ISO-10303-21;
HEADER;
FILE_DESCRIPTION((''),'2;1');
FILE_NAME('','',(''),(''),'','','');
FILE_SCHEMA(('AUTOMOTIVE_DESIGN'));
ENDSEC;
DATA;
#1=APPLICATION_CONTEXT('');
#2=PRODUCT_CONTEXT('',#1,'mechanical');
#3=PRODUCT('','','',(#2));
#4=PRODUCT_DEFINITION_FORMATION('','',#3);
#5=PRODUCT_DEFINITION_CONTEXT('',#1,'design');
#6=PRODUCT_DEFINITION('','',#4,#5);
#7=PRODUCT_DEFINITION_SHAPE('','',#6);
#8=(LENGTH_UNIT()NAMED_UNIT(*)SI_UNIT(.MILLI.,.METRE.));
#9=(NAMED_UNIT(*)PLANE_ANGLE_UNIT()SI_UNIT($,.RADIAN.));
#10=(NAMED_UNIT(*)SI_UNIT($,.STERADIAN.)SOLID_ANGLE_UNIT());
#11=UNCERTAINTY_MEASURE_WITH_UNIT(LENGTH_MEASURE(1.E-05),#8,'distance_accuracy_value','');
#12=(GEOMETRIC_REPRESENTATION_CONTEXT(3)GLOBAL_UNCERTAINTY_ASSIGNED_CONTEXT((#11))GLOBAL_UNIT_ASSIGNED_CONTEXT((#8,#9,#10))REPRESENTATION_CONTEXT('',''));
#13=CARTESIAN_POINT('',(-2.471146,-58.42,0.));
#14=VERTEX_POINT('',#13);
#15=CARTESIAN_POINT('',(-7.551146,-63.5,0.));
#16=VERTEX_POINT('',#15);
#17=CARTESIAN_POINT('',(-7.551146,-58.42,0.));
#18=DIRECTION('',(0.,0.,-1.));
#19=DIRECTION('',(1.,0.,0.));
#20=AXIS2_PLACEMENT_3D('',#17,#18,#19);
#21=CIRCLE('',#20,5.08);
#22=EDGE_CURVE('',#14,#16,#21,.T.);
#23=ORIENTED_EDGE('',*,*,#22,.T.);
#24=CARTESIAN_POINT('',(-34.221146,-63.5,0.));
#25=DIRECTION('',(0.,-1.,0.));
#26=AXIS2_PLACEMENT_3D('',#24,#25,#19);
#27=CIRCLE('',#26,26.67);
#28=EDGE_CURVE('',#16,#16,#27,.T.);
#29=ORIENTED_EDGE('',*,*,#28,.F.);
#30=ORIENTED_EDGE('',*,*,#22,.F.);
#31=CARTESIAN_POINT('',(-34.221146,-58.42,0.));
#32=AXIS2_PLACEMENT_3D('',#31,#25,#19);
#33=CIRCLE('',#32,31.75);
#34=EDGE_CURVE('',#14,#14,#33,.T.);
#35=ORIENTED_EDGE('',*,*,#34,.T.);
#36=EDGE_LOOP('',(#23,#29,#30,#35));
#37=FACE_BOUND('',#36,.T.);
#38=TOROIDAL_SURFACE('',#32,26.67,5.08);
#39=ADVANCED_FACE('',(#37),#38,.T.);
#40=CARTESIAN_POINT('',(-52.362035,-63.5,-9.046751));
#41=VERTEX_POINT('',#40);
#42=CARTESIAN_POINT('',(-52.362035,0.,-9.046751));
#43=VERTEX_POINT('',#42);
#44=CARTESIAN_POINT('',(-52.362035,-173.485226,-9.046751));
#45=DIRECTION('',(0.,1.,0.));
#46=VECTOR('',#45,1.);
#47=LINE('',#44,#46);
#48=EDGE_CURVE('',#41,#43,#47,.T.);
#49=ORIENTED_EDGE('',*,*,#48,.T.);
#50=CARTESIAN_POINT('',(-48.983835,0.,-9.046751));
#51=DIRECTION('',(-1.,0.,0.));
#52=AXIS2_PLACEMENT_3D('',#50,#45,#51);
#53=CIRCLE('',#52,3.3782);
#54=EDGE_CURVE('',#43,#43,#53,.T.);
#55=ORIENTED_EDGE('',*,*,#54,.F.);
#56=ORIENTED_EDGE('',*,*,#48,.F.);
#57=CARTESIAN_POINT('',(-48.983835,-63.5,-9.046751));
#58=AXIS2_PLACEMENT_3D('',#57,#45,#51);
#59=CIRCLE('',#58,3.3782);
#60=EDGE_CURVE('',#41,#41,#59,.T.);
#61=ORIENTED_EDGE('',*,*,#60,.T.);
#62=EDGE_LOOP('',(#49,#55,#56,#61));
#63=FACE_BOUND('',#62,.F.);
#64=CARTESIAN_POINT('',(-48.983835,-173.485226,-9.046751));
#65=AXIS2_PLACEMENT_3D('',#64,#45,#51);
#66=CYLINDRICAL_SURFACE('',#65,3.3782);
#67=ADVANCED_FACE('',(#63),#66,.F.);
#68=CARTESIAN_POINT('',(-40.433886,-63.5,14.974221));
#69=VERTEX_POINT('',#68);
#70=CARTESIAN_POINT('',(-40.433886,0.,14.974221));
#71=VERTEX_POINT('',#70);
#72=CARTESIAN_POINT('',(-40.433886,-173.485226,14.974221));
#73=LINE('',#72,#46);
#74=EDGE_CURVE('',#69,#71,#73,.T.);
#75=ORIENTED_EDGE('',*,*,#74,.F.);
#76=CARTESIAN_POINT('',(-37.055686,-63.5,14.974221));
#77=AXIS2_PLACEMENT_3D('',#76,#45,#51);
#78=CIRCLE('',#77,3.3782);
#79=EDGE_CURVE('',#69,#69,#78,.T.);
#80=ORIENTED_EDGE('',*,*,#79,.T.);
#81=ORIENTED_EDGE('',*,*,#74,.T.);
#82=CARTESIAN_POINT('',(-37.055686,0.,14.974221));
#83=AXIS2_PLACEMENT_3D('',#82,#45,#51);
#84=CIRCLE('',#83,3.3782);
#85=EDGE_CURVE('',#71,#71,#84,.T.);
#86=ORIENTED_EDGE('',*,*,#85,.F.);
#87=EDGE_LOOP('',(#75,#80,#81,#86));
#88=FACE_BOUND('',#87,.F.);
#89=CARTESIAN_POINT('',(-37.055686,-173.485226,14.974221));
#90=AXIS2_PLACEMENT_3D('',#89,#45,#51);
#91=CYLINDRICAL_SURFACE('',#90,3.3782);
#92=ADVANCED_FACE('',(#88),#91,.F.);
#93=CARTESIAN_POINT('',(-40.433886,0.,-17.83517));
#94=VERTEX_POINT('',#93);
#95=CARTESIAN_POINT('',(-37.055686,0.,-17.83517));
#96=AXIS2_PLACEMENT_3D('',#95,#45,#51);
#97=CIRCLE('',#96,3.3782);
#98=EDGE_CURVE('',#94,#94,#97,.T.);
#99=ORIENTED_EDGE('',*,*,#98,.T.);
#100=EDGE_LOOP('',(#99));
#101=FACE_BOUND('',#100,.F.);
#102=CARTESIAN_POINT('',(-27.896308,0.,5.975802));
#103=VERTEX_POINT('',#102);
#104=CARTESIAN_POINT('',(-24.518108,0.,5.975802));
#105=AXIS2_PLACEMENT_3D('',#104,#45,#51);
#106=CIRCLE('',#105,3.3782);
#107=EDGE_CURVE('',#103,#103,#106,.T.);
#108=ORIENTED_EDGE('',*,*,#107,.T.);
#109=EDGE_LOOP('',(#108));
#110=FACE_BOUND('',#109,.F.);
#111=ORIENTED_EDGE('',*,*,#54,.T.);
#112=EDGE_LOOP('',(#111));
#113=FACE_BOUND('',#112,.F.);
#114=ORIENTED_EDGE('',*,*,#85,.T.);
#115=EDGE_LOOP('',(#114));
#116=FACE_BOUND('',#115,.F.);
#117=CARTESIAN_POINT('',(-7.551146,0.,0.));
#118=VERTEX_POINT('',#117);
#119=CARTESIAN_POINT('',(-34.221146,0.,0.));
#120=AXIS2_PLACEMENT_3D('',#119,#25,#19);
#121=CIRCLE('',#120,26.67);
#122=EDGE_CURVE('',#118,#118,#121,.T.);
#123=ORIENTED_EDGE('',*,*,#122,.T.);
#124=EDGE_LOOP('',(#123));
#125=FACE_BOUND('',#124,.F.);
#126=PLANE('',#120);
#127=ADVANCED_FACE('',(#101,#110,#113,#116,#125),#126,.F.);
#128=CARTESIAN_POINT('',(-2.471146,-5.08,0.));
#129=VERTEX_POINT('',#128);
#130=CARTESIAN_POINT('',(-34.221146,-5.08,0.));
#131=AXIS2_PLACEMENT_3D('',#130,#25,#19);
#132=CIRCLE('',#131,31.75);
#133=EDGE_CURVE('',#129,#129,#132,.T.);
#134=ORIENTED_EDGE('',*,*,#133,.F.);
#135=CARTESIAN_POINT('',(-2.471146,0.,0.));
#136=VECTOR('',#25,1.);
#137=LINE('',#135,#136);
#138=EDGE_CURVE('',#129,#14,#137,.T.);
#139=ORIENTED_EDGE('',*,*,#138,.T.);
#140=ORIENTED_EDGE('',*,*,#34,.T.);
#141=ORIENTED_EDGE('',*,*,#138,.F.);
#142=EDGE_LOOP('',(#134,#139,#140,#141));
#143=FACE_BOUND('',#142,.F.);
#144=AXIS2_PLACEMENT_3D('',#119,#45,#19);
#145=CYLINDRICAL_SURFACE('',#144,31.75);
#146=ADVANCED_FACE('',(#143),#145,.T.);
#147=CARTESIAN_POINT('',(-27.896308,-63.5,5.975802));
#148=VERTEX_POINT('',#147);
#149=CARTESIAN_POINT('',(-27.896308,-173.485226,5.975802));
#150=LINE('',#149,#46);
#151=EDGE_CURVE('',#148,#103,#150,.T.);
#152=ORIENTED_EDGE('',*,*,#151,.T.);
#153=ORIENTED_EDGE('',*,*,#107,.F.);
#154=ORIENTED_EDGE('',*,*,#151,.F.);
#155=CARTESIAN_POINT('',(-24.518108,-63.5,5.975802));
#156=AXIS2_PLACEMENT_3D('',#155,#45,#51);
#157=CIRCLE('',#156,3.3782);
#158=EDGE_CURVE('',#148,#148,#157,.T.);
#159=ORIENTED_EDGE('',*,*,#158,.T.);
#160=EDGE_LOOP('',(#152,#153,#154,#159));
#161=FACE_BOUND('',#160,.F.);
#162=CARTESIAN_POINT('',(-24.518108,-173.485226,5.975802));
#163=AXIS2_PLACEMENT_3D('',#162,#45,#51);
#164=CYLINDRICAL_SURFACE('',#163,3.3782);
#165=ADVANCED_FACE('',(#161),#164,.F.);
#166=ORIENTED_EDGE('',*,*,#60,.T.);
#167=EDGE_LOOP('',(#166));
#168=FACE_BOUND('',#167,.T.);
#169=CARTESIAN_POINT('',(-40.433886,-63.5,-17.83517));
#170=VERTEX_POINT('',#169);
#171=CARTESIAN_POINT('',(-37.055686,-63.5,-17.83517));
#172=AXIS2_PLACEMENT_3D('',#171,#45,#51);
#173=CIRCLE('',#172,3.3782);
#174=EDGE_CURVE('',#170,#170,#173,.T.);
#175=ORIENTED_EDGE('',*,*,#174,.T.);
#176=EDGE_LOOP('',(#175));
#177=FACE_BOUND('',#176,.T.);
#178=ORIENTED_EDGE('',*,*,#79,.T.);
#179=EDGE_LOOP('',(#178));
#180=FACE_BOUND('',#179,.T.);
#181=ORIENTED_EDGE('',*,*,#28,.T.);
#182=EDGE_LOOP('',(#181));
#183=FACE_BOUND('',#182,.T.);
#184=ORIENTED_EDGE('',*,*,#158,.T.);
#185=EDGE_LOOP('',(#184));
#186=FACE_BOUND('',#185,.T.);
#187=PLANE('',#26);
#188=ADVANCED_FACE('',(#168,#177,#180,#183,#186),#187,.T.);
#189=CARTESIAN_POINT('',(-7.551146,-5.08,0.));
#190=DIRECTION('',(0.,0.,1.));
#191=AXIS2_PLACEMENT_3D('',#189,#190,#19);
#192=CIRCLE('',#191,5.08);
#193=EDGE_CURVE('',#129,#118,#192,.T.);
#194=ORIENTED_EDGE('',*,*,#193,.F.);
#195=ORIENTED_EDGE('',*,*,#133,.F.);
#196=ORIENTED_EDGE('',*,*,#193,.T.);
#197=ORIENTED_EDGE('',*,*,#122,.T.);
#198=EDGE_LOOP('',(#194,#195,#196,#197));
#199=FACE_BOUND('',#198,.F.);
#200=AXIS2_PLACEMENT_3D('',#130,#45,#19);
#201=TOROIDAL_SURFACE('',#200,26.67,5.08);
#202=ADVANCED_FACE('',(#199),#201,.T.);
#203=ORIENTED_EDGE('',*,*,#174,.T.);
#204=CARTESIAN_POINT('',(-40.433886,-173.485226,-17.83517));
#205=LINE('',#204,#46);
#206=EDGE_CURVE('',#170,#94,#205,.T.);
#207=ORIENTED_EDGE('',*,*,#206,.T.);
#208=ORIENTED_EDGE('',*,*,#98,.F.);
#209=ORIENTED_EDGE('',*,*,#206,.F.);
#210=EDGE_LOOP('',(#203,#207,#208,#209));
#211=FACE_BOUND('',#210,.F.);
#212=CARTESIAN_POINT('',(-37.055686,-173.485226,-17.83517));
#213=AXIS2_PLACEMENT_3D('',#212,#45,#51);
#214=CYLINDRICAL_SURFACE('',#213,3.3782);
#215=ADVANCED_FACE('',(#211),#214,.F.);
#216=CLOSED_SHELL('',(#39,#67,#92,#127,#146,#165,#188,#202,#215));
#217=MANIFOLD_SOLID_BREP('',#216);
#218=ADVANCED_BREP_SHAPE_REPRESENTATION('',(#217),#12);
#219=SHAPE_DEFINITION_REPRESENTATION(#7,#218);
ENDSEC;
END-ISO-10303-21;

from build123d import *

# Parameters (mm, degrees)
F0_R     = 31.75
F1_DEPTH = 63.5
F2_R     = 5.08
F4_D     = 6.7564


with BuildPart() as f1:
    # F0 (on Front) → F1 (new body)
    with BuildSketch(Plane.XZ):
        with Locations((-34.2211462557, 0)):
            Circle(F0_R)
    extrude(amount=F1_DEPTH)

    # F2
    f2_edges = [f1.edges().sort_by_distance(p)[0] for p in [
        (-2.471146, -31.75, 0),
        (-65.971146, 0, 0),
        (-65.971146, -63.5, 0),
    ]]
    fillet(f2_edges, radius=F2_R)

    # F4 (through all)
    with Locations(Plane.XZ.offset(63.5)):
        with Locations((-24.5181079954, 5.975802429), (-37.0556861162, 14.9742206559), (-48.9838346839, -9.0467510745), (-37.0556861162, -17.8351700306)):
            Hole(F4_D / 2)


solid = f1.part
